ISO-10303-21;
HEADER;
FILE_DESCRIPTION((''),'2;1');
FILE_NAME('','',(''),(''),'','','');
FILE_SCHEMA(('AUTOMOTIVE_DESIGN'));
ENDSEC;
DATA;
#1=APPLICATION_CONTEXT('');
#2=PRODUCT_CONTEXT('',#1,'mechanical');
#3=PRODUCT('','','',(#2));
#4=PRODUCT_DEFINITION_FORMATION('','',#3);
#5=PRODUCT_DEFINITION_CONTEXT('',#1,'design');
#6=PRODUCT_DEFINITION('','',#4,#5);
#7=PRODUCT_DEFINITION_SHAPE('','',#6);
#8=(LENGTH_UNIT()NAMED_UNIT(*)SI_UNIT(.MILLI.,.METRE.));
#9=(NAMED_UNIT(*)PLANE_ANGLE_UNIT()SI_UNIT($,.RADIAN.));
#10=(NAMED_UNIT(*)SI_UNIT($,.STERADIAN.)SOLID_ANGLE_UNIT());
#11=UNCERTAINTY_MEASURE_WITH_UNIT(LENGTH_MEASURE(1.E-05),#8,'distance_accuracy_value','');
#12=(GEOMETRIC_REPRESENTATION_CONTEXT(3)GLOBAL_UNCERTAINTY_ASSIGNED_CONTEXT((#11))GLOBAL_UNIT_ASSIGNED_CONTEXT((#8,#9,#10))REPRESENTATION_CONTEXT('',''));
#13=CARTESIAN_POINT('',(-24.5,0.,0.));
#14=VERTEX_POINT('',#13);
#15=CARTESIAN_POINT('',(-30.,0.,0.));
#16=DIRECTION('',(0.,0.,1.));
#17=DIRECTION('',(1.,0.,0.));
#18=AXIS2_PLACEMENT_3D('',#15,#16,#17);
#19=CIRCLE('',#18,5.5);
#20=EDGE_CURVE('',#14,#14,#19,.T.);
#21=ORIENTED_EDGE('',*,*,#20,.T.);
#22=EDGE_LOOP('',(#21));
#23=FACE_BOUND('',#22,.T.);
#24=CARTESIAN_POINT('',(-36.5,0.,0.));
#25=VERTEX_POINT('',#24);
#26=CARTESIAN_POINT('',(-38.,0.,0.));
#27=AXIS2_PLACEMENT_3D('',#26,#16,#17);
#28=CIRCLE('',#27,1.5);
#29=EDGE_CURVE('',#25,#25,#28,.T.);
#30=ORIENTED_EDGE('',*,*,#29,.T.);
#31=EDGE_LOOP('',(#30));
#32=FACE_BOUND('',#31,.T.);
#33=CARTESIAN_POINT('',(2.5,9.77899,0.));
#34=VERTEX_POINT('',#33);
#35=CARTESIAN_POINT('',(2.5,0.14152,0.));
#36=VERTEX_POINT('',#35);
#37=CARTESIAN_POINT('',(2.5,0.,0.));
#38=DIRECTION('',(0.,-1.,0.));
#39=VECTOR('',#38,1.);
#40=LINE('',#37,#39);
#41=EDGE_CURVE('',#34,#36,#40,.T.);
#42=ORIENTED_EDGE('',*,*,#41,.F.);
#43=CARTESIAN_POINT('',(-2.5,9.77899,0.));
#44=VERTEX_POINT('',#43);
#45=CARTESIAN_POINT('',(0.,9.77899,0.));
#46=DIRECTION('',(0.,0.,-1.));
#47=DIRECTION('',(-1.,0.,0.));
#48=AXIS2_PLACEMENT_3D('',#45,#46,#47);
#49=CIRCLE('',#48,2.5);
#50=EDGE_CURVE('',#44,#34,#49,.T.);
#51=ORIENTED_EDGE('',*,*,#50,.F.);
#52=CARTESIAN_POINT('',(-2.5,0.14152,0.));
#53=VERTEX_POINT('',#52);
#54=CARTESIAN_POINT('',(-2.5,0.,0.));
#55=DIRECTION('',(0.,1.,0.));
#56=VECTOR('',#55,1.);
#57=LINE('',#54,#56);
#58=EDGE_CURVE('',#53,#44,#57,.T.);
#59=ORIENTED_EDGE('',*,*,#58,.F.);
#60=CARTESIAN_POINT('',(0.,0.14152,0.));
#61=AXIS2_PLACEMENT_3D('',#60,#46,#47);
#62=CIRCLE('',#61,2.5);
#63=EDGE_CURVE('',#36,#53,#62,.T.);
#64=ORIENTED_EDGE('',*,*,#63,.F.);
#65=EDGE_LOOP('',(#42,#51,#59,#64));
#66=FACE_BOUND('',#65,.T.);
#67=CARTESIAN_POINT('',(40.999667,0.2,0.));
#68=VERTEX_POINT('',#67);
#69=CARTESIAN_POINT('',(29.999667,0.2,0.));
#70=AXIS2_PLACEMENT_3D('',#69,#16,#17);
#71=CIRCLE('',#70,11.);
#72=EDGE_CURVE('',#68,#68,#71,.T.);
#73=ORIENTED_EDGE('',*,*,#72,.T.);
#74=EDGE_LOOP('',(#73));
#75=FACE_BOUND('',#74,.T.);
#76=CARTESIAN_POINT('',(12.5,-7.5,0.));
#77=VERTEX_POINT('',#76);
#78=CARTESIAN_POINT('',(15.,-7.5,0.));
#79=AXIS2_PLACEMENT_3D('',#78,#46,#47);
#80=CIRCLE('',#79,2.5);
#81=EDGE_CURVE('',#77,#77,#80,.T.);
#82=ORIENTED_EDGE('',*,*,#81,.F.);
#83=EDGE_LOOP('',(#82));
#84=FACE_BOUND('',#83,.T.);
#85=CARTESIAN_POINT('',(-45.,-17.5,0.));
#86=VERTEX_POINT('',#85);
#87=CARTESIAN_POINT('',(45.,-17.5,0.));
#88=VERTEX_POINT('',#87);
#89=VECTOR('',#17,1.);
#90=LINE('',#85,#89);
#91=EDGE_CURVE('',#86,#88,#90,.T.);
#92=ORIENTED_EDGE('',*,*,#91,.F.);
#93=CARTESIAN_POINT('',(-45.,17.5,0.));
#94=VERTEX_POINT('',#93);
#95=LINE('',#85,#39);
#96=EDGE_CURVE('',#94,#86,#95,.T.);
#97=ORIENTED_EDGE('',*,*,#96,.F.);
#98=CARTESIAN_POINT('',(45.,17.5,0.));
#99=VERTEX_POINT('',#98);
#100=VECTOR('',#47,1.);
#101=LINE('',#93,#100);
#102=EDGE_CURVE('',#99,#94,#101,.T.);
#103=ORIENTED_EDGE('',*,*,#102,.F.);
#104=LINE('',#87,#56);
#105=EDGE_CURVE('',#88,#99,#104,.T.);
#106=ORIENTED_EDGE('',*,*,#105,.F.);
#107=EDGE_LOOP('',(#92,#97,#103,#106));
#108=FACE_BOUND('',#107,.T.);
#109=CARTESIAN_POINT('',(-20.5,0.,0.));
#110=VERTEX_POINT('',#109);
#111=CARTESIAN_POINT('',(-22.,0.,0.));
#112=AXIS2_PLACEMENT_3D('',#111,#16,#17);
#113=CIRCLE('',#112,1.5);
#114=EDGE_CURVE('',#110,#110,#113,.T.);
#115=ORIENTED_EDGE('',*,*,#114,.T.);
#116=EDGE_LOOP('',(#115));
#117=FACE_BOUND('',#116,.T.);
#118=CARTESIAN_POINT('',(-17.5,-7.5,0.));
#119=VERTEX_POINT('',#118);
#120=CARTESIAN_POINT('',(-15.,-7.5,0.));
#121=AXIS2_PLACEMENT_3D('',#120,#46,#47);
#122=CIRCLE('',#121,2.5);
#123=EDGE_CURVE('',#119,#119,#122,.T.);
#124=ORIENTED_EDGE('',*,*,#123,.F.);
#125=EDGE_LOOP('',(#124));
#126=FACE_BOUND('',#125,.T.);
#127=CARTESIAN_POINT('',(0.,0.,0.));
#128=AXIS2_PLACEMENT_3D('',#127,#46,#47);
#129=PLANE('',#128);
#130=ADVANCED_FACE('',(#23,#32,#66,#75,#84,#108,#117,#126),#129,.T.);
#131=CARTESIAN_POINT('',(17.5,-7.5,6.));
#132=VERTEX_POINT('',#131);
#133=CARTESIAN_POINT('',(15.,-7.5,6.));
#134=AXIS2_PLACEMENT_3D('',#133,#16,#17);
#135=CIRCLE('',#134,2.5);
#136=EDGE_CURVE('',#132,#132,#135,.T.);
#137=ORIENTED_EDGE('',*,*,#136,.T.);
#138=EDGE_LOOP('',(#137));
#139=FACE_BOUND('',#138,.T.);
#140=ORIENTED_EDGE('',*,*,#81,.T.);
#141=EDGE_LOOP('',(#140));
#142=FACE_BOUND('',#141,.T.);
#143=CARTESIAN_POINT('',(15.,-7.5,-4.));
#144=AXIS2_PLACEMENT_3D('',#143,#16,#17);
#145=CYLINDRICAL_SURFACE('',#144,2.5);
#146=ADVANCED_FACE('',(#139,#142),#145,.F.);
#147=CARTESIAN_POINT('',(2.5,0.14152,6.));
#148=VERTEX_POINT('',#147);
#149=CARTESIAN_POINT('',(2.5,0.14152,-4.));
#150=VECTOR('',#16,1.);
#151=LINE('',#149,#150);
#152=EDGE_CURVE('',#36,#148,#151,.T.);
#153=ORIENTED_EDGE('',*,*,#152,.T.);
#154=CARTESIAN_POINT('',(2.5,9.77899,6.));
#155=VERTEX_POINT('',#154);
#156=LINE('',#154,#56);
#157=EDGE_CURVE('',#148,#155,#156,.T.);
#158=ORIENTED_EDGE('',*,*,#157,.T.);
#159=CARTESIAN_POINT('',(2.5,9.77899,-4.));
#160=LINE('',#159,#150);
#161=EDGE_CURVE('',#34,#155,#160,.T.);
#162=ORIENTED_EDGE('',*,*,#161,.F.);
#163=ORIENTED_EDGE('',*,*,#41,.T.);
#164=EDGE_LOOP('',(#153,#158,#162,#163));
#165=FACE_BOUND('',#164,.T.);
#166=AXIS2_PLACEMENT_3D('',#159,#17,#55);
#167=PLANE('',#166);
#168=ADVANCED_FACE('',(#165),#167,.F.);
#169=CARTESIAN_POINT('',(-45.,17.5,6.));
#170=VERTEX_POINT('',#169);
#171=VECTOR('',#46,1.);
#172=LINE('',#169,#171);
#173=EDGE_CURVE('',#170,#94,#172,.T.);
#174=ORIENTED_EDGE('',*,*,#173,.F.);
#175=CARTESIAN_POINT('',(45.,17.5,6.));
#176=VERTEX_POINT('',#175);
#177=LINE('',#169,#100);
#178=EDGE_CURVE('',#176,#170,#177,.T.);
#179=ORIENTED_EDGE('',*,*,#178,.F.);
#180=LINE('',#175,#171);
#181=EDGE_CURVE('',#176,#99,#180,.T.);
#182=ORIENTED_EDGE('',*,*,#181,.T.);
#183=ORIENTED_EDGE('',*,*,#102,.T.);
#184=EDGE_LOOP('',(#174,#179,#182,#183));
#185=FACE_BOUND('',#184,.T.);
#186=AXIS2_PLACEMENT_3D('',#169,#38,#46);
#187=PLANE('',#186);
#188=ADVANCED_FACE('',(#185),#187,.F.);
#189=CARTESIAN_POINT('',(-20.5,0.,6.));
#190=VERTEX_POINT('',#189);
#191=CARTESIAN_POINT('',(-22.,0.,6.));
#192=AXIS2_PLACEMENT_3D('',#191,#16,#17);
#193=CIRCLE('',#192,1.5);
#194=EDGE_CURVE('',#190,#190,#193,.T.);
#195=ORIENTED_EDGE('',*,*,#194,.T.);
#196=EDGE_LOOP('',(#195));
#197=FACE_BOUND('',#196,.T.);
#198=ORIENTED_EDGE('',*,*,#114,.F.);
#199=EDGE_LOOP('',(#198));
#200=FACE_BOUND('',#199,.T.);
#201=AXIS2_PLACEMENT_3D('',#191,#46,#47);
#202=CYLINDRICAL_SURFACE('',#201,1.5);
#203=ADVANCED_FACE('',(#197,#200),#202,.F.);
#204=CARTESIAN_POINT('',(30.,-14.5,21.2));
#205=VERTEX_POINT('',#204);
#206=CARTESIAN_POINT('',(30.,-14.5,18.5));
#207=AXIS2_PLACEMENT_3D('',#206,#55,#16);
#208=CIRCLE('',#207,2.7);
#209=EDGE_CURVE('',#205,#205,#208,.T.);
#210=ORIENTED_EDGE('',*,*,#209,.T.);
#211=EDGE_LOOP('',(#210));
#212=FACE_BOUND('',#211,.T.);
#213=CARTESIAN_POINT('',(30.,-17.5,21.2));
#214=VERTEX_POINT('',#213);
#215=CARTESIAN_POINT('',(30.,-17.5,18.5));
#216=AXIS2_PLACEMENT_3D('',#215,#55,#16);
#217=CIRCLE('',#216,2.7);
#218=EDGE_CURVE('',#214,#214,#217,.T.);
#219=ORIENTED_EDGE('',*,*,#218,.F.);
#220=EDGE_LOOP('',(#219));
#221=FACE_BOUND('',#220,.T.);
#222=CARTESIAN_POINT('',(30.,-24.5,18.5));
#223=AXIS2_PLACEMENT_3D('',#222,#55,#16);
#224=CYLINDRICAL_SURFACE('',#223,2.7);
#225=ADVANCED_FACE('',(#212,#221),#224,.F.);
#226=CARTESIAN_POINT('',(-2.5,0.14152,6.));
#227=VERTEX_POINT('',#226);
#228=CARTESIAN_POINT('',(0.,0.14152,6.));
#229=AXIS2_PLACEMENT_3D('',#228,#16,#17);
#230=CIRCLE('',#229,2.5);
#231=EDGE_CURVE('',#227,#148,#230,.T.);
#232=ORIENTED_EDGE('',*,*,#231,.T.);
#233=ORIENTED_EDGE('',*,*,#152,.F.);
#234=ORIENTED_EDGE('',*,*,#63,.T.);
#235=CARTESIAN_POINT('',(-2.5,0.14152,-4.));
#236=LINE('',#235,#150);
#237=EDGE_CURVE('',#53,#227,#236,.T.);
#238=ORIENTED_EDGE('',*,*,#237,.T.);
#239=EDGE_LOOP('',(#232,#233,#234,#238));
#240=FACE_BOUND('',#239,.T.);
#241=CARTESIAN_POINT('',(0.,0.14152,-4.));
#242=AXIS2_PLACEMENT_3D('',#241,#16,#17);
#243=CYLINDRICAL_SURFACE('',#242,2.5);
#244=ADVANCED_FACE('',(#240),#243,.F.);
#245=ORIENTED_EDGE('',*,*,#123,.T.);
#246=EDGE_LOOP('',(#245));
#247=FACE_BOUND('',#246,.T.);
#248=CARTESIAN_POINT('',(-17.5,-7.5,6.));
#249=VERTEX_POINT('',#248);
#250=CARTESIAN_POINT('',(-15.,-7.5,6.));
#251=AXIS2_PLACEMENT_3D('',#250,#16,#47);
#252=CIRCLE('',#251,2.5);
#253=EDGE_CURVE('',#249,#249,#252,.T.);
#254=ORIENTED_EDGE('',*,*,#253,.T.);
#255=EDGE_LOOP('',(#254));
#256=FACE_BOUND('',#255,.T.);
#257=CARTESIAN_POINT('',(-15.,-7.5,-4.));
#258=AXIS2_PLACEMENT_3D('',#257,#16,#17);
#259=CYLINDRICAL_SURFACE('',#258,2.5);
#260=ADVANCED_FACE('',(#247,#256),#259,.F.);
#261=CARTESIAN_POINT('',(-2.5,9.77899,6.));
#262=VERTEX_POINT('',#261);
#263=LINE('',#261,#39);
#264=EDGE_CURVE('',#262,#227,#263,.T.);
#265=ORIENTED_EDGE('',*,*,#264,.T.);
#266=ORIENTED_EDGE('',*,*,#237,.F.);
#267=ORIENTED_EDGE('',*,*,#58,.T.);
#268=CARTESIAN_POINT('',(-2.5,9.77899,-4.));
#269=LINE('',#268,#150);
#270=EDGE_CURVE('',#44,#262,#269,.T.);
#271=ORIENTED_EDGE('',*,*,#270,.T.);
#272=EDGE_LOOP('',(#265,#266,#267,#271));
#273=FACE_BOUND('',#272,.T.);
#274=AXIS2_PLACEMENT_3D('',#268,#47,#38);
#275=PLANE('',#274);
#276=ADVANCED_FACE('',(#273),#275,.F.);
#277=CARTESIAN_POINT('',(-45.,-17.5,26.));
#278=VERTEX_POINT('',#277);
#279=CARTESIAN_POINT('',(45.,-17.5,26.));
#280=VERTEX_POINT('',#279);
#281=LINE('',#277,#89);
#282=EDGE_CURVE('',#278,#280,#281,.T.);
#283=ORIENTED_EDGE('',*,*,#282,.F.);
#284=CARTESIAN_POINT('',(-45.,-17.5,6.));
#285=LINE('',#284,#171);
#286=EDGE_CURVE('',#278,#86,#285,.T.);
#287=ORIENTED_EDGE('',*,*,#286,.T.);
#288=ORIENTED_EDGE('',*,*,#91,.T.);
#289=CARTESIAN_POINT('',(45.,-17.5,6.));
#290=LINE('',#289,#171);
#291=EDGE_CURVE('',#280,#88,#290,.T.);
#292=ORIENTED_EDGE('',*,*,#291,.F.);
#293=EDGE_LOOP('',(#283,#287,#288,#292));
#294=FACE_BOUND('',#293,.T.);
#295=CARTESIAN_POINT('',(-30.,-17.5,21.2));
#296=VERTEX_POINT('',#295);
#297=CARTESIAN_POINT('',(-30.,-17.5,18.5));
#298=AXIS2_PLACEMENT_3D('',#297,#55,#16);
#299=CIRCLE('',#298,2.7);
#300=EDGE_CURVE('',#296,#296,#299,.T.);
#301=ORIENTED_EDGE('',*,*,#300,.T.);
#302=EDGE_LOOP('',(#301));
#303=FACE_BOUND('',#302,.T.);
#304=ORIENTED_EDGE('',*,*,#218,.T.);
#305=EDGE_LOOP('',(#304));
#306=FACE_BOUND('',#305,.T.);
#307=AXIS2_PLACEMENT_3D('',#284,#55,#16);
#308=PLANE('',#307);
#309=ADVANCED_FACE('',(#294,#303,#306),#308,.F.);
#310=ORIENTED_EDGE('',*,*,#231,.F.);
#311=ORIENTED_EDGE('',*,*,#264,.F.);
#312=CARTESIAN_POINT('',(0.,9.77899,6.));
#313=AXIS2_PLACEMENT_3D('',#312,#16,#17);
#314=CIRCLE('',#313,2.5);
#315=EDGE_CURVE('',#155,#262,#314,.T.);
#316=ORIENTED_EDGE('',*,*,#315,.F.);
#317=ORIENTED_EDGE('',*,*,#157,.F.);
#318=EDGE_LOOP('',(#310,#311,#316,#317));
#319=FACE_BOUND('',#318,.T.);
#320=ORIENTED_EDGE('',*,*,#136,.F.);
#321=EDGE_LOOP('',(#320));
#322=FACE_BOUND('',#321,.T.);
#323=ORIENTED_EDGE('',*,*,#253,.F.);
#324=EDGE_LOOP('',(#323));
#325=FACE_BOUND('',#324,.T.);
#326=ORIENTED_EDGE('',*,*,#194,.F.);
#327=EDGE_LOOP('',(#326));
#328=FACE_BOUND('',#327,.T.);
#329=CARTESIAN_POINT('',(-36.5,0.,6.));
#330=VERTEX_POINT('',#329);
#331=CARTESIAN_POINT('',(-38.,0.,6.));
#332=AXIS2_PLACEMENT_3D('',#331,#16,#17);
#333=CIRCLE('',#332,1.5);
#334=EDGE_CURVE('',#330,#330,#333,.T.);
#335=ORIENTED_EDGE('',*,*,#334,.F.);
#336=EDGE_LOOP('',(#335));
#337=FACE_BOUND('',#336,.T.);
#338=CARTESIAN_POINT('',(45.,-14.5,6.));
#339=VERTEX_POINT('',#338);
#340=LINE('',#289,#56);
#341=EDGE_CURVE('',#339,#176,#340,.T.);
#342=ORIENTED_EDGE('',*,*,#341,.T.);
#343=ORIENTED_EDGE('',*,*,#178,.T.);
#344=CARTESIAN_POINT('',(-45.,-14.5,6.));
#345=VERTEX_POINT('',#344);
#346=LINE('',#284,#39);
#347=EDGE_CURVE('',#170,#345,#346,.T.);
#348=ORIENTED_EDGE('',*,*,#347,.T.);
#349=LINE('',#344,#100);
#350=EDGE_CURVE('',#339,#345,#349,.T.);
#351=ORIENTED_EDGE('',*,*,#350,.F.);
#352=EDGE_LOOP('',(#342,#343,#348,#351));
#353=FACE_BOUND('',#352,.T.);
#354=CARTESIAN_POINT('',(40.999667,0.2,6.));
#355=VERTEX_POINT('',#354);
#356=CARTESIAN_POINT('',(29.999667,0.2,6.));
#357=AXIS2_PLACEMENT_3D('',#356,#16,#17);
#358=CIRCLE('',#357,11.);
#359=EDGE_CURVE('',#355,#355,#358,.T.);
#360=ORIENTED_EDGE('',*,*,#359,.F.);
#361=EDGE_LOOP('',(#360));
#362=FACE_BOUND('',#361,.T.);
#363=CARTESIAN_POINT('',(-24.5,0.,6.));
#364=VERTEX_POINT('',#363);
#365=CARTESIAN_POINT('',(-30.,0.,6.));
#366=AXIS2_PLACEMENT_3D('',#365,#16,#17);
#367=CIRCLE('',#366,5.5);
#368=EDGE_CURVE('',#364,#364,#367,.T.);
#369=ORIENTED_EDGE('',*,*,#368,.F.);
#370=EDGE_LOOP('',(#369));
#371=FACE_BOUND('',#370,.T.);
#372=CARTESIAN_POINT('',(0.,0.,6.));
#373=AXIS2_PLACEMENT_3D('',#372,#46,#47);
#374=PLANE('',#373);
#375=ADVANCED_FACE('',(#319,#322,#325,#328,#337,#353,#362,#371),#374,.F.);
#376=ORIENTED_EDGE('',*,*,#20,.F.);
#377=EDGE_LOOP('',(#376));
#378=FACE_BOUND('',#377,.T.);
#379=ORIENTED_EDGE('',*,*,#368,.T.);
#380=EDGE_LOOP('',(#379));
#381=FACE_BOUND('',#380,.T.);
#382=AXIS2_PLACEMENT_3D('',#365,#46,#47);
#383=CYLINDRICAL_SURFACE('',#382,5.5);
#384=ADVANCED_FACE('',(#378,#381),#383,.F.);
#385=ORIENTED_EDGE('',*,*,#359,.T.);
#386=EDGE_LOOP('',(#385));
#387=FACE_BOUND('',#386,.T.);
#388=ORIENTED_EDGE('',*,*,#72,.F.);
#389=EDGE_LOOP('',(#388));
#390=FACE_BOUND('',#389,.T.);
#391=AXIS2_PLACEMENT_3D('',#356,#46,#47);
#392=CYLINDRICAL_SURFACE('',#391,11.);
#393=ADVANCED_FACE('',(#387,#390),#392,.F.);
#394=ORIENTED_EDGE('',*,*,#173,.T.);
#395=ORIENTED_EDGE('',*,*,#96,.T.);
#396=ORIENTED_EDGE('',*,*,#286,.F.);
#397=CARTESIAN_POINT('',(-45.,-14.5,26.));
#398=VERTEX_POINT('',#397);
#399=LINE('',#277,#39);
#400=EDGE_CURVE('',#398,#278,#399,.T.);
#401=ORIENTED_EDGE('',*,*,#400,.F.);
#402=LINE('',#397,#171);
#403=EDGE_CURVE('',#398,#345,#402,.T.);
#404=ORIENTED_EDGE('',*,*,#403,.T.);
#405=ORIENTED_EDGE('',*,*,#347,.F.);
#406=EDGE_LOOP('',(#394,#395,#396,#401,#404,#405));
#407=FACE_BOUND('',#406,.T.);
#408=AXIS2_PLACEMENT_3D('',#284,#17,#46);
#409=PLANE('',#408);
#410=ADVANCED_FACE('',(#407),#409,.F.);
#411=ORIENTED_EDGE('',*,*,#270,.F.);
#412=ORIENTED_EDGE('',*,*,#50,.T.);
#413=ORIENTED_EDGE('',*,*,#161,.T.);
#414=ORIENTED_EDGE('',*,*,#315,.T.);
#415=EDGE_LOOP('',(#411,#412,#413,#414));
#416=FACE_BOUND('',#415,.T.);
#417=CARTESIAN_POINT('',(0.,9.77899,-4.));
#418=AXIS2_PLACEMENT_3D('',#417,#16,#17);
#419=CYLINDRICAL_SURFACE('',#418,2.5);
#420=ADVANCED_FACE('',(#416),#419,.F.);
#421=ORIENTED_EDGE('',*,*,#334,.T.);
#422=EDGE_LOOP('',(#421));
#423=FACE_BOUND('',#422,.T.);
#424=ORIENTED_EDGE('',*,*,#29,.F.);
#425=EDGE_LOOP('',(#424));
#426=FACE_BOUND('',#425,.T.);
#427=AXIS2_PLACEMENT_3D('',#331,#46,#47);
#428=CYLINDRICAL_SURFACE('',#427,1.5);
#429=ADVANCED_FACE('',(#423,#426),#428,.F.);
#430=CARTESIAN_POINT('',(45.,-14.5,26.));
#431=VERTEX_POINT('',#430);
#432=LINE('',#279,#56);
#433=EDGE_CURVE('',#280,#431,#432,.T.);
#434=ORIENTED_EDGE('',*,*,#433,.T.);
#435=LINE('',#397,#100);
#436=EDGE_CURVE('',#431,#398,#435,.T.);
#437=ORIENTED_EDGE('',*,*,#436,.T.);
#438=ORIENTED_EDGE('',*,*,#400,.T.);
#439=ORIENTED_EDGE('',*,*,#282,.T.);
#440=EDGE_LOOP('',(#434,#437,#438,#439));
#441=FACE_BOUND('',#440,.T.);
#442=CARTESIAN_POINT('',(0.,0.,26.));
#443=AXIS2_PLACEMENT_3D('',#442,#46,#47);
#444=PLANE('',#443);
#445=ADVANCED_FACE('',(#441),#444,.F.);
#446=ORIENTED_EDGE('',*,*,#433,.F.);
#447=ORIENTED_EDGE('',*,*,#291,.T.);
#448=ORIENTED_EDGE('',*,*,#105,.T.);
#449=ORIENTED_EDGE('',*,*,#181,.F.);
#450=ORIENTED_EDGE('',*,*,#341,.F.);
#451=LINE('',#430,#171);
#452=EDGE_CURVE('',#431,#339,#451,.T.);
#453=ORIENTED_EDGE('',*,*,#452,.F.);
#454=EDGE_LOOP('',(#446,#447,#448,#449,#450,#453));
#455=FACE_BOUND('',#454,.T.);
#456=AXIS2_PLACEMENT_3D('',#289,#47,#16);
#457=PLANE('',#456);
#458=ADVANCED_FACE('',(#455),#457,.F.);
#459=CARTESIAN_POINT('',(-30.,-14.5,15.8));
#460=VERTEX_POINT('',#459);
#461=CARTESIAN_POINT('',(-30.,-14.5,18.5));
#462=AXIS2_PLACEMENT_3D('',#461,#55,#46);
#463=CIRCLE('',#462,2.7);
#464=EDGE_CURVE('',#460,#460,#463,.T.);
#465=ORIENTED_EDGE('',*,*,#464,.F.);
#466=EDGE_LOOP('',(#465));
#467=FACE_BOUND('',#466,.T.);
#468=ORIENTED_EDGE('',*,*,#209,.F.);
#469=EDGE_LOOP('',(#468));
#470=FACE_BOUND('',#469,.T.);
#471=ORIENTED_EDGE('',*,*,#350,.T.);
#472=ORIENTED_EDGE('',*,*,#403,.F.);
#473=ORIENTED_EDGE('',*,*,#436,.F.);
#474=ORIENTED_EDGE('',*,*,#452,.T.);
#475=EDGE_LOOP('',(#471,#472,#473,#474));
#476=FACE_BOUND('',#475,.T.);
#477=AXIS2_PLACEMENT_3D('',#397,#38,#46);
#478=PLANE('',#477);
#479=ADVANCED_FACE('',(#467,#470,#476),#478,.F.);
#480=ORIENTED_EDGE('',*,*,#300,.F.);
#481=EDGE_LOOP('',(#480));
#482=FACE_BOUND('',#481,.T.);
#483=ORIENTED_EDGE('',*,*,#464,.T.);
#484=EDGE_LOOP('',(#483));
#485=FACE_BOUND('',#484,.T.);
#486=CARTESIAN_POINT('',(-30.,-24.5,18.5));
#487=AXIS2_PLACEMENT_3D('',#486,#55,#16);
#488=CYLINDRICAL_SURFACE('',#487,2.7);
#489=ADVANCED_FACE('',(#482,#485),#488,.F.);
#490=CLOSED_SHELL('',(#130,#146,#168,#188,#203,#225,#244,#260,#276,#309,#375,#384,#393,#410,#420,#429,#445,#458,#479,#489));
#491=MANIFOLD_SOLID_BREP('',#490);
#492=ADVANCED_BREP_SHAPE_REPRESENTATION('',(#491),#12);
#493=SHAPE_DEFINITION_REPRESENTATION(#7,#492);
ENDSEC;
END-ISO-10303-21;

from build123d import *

# Parameters (mm, degrees)
SKETCH1_W           = 90
SKETCH1_H           = 35
SKETCH1_R           = 5.5
SKETCH1_R_2         = 1.5
SKETCH1_R_3         = 11
BOSS_EXTRUDE1_DEPTH = 6
SKETCH2_W           = 90
SKETCH2_H           = 3
BOSS_EXTRUDE2_DEPTH = 20
SKETCH4_R           = 2.5
CUT_EXTRUDE1_DEPTH  = 10
SKETCH5_R           = 2.7
CUT_EXTRUDE2_DEPTH  = 10


with BuildPart() as part:
    # Sketch1 → Boss-Extrude1 (new body)
    with BuildSketch(Plane.XY):
        Rectangle(SKETCH1_W, SKETCH1_H)
        with Locations((-30, 0)):
            Circle(SKETCH1_R, mode=Mode.SUBTRACT)
        with Locations((-38, 0)):
            Circle(SKETCH1_R_2, mode=Mode.SUBTRACT)
        with Locations((-22, 0)):
            Circle(SKETCH1_R_2, mode=Mode.SUBTRACT)
        with Locations((29.999666666, 0.2)):
            Circle(SKETCH1_R_3, mode=Mode.SUBTRACT)
    extrude(amount=BOSS_EXTRUDE1_DEPTH)

    # Sketch2 → Boss-Extrude2 (add)
    with BuildSketch(Plane.XY.offset(6)):
        with Locations((0, -16)):
            Rectangle(SKETCH2_W, SKETCH2_H)
    extrude(amount=BOSS_EXTRUDE2_DEPTH)

    # Sketch4 → Cut-Extrude1 (cut)
    with BuildSketch(Plane.XY.offset(6)):
        with Locations((15, -7.5)):
            Circle(SKETCH4_R)
        with Locations(Location((-15, -7.5, 0), (0, 0, 180))):
            Circle(SKETCH4_R)
        with BuildLine():
            Line((2.5, 9.778989608), (2.5, 0.141519694))
            ThreePointArc((2.5, 0.141519694), (0, -2.358480306), (-2.5, 0.141519694))
            Line((-2.5, 0.141519694), (-2.5, 9.778989608))
            ThreePointArc((-2.5, 9.778989608), (0, 12.278989608), (2.5, 9.778989608))
        make_face()
    extrude(amount=-CUT_EXTRUDE1_DEPTH, mode=Mode.SUBTRACT)

    # Sketch5 → Cut-Extrude2 (cut)
    with BuildSketch(Plane(origin=(0, -14.5, 0), x_dir=(1, 0, 0), z_dir=(0, 1, 0))):
        with Locations(Location((30, -18.5, 0), (0, 0, 270))):
            Circle(SKETCH5_R)
        with Locations(Location((-30, -18.5, 0), (0, 0, 270))):
            Circle(SKETCH5_R)
    extrude(amount=-CUT_EXTRUDE2_DEPTH, mode=Mode.SUBTRACT)


solid = part.part
